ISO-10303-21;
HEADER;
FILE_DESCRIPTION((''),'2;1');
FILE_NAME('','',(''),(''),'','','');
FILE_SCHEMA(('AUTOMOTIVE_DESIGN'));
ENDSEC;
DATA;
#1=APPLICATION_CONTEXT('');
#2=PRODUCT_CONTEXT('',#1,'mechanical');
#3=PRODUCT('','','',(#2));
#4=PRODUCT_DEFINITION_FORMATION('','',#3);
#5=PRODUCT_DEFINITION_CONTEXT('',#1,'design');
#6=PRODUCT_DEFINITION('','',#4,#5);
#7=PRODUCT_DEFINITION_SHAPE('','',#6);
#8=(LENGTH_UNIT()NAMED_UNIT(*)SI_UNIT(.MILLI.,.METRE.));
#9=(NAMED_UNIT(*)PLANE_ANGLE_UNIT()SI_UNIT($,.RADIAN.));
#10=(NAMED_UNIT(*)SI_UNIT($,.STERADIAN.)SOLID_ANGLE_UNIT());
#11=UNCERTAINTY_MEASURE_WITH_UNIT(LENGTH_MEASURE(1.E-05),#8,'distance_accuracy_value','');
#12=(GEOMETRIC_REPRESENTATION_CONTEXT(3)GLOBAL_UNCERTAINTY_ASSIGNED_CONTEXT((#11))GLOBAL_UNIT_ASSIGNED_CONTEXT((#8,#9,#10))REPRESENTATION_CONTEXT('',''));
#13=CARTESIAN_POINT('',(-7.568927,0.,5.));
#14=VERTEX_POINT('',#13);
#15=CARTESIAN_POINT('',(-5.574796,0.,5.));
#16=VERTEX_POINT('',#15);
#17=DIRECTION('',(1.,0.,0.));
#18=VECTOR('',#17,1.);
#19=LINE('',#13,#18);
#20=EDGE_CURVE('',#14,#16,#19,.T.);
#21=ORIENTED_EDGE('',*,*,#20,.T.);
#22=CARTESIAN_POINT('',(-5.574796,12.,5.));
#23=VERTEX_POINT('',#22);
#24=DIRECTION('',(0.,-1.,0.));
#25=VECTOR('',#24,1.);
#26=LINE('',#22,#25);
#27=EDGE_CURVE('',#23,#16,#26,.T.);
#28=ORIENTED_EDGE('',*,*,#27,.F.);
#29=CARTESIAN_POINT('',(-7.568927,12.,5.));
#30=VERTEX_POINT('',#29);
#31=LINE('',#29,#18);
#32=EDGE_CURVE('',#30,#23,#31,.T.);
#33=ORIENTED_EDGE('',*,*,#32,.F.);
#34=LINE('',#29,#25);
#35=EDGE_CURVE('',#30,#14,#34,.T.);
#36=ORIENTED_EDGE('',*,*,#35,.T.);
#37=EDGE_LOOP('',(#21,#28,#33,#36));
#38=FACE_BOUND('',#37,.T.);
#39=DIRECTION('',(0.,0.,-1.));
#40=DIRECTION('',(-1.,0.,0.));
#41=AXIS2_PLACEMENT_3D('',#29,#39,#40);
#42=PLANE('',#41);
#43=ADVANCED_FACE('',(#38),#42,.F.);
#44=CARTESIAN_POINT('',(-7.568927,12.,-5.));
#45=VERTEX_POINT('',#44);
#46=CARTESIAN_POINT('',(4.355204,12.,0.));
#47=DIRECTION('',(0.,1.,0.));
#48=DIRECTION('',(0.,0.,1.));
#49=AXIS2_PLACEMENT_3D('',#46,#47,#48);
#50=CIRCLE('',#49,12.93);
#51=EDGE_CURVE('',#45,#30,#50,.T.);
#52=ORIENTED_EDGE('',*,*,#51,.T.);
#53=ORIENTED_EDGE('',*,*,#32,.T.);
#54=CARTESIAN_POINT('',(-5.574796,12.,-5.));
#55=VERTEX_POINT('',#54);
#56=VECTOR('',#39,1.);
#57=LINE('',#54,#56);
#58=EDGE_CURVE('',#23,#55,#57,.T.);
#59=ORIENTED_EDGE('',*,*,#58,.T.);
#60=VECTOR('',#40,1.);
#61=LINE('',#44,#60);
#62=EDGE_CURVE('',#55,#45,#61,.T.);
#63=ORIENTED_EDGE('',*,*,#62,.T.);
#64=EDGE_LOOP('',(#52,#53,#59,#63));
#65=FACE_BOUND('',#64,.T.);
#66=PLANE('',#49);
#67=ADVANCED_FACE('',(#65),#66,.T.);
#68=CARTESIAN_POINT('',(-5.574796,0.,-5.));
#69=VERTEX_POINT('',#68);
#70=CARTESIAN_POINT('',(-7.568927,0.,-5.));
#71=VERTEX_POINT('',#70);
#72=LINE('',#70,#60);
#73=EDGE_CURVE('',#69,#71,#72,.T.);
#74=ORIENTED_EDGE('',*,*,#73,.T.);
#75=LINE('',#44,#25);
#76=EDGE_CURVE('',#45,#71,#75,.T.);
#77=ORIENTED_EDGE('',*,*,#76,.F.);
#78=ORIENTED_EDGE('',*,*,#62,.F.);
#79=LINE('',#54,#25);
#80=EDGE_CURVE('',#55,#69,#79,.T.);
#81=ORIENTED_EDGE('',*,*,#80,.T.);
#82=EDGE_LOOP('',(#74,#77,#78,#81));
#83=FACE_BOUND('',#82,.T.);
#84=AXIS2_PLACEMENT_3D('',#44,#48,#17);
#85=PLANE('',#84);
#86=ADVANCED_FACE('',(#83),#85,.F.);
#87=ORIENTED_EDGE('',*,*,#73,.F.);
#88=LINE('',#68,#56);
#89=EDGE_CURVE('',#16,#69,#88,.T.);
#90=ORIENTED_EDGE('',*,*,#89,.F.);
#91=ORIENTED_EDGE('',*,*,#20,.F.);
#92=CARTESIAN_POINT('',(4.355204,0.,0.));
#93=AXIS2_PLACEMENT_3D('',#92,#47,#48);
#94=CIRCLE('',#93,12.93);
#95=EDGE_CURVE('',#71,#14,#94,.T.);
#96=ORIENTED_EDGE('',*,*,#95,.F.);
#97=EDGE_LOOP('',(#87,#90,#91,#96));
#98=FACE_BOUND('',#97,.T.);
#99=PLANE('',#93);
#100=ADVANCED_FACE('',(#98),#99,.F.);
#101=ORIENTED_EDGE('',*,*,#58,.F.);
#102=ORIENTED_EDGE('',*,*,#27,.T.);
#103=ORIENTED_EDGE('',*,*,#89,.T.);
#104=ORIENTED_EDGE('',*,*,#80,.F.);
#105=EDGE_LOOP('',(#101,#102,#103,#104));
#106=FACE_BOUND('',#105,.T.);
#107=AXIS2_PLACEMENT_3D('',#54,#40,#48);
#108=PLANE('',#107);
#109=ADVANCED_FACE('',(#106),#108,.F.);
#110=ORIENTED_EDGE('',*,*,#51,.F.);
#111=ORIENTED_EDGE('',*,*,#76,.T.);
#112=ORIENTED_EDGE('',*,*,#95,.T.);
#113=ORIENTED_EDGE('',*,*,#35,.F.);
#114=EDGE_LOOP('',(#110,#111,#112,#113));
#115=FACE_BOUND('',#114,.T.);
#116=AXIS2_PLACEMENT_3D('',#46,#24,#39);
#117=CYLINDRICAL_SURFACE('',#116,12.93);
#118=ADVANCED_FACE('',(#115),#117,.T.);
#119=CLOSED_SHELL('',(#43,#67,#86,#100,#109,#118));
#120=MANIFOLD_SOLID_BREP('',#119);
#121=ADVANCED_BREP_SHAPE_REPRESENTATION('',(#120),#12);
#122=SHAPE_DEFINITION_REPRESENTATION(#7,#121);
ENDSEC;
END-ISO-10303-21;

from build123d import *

# Parameters (mm, degrees)
EXTRUDE_1_DEPTH = 12


with BuildPart() as part:
    # 草图1 → 凸台-拉伸1 (new body)
    with BuildSketch(Plane(origin=(0, 0, 0), x_dir=(1, 0, 0), z_dir=(0, 1, 0))):
        with BuildLine():
            Line((-7.568926661, 5), (-5.574795665, 5))
            Line((-5.574795665, 5), (-5.574795665, -5))
            Line((-5.574795665, -5), (-7.568926661, -5))
            ThreePointArc((-7.568926661, -5), (-8.574795665, 0), (-7.568926661, 5))
        make_face()
    extrude(amount=EXTRUDE_1_DEPTH)


solid = part.part
